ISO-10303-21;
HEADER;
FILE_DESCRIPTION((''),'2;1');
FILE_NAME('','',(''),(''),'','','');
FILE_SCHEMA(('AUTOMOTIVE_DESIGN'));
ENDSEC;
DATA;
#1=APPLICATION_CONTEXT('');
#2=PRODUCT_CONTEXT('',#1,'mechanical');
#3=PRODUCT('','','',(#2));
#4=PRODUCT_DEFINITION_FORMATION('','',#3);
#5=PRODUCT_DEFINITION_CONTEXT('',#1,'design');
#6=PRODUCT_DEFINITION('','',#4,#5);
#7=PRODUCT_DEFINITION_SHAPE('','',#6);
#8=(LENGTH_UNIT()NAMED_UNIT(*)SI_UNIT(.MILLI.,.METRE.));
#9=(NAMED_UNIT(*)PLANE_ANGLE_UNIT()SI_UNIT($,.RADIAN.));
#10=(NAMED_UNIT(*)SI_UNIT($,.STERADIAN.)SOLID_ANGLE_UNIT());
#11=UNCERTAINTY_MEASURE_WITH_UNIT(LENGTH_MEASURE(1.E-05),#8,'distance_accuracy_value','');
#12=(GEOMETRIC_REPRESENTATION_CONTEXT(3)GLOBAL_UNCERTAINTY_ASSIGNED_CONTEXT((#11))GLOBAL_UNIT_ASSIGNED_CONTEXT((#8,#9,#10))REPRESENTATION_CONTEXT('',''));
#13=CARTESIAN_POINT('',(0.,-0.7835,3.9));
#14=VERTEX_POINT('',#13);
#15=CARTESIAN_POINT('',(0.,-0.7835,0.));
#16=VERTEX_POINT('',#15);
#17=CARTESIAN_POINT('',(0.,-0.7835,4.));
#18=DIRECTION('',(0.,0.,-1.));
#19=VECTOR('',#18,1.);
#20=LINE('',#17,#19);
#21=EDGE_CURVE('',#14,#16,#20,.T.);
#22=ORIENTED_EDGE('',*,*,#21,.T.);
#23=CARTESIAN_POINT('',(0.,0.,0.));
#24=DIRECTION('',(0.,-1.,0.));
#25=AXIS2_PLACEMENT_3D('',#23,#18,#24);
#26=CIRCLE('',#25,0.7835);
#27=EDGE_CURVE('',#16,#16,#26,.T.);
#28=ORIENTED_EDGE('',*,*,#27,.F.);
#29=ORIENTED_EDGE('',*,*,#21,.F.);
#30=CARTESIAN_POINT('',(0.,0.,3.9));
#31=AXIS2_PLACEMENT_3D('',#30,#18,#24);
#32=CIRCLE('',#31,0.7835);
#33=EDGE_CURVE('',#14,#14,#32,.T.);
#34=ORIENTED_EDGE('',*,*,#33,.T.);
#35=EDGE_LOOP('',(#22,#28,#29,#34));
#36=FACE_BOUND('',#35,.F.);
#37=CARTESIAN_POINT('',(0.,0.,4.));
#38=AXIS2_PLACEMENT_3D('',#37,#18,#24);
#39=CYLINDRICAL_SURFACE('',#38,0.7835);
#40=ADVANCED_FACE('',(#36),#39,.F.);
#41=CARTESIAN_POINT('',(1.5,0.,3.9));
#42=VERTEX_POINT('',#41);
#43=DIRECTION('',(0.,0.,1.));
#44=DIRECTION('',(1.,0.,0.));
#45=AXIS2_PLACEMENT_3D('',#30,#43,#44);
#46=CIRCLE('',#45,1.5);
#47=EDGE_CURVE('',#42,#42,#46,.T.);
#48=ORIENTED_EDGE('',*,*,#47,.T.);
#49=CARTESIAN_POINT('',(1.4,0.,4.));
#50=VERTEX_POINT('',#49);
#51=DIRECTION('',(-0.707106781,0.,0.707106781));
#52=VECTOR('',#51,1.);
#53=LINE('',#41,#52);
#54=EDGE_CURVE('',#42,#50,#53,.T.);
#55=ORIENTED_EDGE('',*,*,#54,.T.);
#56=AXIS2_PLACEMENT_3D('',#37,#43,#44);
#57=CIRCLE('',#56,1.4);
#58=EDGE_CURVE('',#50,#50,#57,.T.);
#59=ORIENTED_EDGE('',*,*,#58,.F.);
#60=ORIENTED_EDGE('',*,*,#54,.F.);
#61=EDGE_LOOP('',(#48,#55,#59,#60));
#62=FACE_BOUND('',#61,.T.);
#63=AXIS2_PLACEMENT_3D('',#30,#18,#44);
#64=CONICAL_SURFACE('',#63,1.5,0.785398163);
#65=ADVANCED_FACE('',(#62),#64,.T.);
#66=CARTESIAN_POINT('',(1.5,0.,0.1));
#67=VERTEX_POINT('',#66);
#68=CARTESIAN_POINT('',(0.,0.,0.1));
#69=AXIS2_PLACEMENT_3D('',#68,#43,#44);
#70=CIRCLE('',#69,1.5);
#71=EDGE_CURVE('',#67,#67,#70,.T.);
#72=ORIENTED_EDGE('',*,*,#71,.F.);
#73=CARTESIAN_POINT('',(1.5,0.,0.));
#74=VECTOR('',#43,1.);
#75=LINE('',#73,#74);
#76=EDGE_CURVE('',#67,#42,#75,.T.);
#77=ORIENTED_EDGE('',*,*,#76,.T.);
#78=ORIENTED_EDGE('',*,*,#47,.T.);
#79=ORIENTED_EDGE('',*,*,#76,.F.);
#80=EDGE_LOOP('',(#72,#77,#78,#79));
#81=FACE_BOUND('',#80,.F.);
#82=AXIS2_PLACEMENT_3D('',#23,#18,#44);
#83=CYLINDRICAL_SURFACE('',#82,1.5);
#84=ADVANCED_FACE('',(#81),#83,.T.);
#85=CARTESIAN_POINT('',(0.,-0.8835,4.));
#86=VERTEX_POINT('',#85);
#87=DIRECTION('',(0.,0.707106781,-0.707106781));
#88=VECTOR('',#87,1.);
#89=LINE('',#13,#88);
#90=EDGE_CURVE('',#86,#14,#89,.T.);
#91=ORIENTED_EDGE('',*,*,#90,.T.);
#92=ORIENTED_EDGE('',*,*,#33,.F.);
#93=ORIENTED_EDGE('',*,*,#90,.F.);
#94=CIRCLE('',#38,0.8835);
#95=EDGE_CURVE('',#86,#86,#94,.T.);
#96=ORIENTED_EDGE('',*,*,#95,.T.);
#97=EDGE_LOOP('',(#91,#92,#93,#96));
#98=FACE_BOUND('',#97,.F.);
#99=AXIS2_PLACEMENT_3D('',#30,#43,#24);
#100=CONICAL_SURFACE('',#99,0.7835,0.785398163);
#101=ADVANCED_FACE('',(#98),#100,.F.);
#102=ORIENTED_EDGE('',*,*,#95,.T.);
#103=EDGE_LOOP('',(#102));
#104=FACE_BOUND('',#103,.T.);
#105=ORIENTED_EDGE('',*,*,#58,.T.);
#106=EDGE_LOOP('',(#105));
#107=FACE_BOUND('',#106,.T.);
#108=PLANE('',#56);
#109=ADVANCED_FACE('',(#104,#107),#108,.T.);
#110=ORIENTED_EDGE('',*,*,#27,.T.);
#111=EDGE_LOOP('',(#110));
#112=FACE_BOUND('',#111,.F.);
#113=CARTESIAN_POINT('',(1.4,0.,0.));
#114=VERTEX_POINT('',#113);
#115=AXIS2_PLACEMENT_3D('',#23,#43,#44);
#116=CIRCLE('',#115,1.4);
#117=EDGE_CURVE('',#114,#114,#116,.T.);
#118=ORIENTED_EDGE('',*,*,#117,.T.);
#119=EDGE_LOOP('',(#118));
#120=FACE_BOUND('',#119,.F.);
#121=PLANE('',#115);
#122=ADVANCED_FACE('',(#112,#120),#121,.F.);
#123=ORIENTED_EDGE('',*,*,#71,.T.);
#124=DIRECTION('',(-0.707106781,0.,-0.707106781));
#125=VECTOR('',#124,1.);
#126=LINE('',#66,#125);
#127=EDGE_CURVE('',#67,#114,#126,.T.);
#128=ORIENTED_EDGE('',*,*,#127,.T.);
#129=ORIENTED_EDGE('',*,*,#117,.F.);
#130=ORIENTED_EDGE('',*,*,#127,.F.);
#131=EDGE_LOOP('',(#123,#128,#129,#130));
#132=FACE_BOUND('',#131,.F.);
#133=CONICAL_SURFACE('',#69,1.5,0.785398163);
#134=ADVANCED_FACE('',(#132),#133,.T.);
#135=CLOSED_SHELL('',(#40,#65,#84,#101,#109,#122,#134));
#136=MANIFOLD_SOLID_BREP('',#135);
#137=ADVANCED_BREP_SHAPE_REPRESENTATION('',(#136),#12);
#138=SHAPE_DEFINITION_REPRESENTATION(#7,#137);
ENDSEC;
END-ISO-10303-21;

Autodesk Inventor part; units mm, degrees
ref_plane "YZ Plane" through (0, 0, 0) normal (1, 0, 0) x (0, 1, 0)
ref_plane "XZ Plane" through (0, 0, 0) normal (0, 1, 0) x (-1, 0, 0)
ref_plane "XY Plane" through (0, 0, 0) normal (0, 0, 1) x (1, 0, 0)
sketch "スケッチ1" plane through (0, 0, 0) normal (0, 0, 1) x (1, 0, 0)
  circle A0 centre (0, 0) radius 1.5
  dimension "d0" = 3
extrude "押し出し1" add sketch "スケッチ1" along normal blind 4
sketch "スケッチ2" plane through (0, 0, 4) normal (0, 0, 1) x (1, 0, 0)
  circle A0 centre (0, 0) radius 1.5 construction
hole "穴1" at (0, 0, 4) direction (0, 0, -1) diameter 1.567 end through all thread size "M2x0.4" class "6H" standard "ANSI Metric M Profile"
chamfer "面取り1" distance 0.1 angle 45 3 edges at (0, 0.7835, 4) (-1.5, 0, 4) (-1.5, 0, 0)
properties part number "SB-203040" material "真鍮、ソフト イエロー"
